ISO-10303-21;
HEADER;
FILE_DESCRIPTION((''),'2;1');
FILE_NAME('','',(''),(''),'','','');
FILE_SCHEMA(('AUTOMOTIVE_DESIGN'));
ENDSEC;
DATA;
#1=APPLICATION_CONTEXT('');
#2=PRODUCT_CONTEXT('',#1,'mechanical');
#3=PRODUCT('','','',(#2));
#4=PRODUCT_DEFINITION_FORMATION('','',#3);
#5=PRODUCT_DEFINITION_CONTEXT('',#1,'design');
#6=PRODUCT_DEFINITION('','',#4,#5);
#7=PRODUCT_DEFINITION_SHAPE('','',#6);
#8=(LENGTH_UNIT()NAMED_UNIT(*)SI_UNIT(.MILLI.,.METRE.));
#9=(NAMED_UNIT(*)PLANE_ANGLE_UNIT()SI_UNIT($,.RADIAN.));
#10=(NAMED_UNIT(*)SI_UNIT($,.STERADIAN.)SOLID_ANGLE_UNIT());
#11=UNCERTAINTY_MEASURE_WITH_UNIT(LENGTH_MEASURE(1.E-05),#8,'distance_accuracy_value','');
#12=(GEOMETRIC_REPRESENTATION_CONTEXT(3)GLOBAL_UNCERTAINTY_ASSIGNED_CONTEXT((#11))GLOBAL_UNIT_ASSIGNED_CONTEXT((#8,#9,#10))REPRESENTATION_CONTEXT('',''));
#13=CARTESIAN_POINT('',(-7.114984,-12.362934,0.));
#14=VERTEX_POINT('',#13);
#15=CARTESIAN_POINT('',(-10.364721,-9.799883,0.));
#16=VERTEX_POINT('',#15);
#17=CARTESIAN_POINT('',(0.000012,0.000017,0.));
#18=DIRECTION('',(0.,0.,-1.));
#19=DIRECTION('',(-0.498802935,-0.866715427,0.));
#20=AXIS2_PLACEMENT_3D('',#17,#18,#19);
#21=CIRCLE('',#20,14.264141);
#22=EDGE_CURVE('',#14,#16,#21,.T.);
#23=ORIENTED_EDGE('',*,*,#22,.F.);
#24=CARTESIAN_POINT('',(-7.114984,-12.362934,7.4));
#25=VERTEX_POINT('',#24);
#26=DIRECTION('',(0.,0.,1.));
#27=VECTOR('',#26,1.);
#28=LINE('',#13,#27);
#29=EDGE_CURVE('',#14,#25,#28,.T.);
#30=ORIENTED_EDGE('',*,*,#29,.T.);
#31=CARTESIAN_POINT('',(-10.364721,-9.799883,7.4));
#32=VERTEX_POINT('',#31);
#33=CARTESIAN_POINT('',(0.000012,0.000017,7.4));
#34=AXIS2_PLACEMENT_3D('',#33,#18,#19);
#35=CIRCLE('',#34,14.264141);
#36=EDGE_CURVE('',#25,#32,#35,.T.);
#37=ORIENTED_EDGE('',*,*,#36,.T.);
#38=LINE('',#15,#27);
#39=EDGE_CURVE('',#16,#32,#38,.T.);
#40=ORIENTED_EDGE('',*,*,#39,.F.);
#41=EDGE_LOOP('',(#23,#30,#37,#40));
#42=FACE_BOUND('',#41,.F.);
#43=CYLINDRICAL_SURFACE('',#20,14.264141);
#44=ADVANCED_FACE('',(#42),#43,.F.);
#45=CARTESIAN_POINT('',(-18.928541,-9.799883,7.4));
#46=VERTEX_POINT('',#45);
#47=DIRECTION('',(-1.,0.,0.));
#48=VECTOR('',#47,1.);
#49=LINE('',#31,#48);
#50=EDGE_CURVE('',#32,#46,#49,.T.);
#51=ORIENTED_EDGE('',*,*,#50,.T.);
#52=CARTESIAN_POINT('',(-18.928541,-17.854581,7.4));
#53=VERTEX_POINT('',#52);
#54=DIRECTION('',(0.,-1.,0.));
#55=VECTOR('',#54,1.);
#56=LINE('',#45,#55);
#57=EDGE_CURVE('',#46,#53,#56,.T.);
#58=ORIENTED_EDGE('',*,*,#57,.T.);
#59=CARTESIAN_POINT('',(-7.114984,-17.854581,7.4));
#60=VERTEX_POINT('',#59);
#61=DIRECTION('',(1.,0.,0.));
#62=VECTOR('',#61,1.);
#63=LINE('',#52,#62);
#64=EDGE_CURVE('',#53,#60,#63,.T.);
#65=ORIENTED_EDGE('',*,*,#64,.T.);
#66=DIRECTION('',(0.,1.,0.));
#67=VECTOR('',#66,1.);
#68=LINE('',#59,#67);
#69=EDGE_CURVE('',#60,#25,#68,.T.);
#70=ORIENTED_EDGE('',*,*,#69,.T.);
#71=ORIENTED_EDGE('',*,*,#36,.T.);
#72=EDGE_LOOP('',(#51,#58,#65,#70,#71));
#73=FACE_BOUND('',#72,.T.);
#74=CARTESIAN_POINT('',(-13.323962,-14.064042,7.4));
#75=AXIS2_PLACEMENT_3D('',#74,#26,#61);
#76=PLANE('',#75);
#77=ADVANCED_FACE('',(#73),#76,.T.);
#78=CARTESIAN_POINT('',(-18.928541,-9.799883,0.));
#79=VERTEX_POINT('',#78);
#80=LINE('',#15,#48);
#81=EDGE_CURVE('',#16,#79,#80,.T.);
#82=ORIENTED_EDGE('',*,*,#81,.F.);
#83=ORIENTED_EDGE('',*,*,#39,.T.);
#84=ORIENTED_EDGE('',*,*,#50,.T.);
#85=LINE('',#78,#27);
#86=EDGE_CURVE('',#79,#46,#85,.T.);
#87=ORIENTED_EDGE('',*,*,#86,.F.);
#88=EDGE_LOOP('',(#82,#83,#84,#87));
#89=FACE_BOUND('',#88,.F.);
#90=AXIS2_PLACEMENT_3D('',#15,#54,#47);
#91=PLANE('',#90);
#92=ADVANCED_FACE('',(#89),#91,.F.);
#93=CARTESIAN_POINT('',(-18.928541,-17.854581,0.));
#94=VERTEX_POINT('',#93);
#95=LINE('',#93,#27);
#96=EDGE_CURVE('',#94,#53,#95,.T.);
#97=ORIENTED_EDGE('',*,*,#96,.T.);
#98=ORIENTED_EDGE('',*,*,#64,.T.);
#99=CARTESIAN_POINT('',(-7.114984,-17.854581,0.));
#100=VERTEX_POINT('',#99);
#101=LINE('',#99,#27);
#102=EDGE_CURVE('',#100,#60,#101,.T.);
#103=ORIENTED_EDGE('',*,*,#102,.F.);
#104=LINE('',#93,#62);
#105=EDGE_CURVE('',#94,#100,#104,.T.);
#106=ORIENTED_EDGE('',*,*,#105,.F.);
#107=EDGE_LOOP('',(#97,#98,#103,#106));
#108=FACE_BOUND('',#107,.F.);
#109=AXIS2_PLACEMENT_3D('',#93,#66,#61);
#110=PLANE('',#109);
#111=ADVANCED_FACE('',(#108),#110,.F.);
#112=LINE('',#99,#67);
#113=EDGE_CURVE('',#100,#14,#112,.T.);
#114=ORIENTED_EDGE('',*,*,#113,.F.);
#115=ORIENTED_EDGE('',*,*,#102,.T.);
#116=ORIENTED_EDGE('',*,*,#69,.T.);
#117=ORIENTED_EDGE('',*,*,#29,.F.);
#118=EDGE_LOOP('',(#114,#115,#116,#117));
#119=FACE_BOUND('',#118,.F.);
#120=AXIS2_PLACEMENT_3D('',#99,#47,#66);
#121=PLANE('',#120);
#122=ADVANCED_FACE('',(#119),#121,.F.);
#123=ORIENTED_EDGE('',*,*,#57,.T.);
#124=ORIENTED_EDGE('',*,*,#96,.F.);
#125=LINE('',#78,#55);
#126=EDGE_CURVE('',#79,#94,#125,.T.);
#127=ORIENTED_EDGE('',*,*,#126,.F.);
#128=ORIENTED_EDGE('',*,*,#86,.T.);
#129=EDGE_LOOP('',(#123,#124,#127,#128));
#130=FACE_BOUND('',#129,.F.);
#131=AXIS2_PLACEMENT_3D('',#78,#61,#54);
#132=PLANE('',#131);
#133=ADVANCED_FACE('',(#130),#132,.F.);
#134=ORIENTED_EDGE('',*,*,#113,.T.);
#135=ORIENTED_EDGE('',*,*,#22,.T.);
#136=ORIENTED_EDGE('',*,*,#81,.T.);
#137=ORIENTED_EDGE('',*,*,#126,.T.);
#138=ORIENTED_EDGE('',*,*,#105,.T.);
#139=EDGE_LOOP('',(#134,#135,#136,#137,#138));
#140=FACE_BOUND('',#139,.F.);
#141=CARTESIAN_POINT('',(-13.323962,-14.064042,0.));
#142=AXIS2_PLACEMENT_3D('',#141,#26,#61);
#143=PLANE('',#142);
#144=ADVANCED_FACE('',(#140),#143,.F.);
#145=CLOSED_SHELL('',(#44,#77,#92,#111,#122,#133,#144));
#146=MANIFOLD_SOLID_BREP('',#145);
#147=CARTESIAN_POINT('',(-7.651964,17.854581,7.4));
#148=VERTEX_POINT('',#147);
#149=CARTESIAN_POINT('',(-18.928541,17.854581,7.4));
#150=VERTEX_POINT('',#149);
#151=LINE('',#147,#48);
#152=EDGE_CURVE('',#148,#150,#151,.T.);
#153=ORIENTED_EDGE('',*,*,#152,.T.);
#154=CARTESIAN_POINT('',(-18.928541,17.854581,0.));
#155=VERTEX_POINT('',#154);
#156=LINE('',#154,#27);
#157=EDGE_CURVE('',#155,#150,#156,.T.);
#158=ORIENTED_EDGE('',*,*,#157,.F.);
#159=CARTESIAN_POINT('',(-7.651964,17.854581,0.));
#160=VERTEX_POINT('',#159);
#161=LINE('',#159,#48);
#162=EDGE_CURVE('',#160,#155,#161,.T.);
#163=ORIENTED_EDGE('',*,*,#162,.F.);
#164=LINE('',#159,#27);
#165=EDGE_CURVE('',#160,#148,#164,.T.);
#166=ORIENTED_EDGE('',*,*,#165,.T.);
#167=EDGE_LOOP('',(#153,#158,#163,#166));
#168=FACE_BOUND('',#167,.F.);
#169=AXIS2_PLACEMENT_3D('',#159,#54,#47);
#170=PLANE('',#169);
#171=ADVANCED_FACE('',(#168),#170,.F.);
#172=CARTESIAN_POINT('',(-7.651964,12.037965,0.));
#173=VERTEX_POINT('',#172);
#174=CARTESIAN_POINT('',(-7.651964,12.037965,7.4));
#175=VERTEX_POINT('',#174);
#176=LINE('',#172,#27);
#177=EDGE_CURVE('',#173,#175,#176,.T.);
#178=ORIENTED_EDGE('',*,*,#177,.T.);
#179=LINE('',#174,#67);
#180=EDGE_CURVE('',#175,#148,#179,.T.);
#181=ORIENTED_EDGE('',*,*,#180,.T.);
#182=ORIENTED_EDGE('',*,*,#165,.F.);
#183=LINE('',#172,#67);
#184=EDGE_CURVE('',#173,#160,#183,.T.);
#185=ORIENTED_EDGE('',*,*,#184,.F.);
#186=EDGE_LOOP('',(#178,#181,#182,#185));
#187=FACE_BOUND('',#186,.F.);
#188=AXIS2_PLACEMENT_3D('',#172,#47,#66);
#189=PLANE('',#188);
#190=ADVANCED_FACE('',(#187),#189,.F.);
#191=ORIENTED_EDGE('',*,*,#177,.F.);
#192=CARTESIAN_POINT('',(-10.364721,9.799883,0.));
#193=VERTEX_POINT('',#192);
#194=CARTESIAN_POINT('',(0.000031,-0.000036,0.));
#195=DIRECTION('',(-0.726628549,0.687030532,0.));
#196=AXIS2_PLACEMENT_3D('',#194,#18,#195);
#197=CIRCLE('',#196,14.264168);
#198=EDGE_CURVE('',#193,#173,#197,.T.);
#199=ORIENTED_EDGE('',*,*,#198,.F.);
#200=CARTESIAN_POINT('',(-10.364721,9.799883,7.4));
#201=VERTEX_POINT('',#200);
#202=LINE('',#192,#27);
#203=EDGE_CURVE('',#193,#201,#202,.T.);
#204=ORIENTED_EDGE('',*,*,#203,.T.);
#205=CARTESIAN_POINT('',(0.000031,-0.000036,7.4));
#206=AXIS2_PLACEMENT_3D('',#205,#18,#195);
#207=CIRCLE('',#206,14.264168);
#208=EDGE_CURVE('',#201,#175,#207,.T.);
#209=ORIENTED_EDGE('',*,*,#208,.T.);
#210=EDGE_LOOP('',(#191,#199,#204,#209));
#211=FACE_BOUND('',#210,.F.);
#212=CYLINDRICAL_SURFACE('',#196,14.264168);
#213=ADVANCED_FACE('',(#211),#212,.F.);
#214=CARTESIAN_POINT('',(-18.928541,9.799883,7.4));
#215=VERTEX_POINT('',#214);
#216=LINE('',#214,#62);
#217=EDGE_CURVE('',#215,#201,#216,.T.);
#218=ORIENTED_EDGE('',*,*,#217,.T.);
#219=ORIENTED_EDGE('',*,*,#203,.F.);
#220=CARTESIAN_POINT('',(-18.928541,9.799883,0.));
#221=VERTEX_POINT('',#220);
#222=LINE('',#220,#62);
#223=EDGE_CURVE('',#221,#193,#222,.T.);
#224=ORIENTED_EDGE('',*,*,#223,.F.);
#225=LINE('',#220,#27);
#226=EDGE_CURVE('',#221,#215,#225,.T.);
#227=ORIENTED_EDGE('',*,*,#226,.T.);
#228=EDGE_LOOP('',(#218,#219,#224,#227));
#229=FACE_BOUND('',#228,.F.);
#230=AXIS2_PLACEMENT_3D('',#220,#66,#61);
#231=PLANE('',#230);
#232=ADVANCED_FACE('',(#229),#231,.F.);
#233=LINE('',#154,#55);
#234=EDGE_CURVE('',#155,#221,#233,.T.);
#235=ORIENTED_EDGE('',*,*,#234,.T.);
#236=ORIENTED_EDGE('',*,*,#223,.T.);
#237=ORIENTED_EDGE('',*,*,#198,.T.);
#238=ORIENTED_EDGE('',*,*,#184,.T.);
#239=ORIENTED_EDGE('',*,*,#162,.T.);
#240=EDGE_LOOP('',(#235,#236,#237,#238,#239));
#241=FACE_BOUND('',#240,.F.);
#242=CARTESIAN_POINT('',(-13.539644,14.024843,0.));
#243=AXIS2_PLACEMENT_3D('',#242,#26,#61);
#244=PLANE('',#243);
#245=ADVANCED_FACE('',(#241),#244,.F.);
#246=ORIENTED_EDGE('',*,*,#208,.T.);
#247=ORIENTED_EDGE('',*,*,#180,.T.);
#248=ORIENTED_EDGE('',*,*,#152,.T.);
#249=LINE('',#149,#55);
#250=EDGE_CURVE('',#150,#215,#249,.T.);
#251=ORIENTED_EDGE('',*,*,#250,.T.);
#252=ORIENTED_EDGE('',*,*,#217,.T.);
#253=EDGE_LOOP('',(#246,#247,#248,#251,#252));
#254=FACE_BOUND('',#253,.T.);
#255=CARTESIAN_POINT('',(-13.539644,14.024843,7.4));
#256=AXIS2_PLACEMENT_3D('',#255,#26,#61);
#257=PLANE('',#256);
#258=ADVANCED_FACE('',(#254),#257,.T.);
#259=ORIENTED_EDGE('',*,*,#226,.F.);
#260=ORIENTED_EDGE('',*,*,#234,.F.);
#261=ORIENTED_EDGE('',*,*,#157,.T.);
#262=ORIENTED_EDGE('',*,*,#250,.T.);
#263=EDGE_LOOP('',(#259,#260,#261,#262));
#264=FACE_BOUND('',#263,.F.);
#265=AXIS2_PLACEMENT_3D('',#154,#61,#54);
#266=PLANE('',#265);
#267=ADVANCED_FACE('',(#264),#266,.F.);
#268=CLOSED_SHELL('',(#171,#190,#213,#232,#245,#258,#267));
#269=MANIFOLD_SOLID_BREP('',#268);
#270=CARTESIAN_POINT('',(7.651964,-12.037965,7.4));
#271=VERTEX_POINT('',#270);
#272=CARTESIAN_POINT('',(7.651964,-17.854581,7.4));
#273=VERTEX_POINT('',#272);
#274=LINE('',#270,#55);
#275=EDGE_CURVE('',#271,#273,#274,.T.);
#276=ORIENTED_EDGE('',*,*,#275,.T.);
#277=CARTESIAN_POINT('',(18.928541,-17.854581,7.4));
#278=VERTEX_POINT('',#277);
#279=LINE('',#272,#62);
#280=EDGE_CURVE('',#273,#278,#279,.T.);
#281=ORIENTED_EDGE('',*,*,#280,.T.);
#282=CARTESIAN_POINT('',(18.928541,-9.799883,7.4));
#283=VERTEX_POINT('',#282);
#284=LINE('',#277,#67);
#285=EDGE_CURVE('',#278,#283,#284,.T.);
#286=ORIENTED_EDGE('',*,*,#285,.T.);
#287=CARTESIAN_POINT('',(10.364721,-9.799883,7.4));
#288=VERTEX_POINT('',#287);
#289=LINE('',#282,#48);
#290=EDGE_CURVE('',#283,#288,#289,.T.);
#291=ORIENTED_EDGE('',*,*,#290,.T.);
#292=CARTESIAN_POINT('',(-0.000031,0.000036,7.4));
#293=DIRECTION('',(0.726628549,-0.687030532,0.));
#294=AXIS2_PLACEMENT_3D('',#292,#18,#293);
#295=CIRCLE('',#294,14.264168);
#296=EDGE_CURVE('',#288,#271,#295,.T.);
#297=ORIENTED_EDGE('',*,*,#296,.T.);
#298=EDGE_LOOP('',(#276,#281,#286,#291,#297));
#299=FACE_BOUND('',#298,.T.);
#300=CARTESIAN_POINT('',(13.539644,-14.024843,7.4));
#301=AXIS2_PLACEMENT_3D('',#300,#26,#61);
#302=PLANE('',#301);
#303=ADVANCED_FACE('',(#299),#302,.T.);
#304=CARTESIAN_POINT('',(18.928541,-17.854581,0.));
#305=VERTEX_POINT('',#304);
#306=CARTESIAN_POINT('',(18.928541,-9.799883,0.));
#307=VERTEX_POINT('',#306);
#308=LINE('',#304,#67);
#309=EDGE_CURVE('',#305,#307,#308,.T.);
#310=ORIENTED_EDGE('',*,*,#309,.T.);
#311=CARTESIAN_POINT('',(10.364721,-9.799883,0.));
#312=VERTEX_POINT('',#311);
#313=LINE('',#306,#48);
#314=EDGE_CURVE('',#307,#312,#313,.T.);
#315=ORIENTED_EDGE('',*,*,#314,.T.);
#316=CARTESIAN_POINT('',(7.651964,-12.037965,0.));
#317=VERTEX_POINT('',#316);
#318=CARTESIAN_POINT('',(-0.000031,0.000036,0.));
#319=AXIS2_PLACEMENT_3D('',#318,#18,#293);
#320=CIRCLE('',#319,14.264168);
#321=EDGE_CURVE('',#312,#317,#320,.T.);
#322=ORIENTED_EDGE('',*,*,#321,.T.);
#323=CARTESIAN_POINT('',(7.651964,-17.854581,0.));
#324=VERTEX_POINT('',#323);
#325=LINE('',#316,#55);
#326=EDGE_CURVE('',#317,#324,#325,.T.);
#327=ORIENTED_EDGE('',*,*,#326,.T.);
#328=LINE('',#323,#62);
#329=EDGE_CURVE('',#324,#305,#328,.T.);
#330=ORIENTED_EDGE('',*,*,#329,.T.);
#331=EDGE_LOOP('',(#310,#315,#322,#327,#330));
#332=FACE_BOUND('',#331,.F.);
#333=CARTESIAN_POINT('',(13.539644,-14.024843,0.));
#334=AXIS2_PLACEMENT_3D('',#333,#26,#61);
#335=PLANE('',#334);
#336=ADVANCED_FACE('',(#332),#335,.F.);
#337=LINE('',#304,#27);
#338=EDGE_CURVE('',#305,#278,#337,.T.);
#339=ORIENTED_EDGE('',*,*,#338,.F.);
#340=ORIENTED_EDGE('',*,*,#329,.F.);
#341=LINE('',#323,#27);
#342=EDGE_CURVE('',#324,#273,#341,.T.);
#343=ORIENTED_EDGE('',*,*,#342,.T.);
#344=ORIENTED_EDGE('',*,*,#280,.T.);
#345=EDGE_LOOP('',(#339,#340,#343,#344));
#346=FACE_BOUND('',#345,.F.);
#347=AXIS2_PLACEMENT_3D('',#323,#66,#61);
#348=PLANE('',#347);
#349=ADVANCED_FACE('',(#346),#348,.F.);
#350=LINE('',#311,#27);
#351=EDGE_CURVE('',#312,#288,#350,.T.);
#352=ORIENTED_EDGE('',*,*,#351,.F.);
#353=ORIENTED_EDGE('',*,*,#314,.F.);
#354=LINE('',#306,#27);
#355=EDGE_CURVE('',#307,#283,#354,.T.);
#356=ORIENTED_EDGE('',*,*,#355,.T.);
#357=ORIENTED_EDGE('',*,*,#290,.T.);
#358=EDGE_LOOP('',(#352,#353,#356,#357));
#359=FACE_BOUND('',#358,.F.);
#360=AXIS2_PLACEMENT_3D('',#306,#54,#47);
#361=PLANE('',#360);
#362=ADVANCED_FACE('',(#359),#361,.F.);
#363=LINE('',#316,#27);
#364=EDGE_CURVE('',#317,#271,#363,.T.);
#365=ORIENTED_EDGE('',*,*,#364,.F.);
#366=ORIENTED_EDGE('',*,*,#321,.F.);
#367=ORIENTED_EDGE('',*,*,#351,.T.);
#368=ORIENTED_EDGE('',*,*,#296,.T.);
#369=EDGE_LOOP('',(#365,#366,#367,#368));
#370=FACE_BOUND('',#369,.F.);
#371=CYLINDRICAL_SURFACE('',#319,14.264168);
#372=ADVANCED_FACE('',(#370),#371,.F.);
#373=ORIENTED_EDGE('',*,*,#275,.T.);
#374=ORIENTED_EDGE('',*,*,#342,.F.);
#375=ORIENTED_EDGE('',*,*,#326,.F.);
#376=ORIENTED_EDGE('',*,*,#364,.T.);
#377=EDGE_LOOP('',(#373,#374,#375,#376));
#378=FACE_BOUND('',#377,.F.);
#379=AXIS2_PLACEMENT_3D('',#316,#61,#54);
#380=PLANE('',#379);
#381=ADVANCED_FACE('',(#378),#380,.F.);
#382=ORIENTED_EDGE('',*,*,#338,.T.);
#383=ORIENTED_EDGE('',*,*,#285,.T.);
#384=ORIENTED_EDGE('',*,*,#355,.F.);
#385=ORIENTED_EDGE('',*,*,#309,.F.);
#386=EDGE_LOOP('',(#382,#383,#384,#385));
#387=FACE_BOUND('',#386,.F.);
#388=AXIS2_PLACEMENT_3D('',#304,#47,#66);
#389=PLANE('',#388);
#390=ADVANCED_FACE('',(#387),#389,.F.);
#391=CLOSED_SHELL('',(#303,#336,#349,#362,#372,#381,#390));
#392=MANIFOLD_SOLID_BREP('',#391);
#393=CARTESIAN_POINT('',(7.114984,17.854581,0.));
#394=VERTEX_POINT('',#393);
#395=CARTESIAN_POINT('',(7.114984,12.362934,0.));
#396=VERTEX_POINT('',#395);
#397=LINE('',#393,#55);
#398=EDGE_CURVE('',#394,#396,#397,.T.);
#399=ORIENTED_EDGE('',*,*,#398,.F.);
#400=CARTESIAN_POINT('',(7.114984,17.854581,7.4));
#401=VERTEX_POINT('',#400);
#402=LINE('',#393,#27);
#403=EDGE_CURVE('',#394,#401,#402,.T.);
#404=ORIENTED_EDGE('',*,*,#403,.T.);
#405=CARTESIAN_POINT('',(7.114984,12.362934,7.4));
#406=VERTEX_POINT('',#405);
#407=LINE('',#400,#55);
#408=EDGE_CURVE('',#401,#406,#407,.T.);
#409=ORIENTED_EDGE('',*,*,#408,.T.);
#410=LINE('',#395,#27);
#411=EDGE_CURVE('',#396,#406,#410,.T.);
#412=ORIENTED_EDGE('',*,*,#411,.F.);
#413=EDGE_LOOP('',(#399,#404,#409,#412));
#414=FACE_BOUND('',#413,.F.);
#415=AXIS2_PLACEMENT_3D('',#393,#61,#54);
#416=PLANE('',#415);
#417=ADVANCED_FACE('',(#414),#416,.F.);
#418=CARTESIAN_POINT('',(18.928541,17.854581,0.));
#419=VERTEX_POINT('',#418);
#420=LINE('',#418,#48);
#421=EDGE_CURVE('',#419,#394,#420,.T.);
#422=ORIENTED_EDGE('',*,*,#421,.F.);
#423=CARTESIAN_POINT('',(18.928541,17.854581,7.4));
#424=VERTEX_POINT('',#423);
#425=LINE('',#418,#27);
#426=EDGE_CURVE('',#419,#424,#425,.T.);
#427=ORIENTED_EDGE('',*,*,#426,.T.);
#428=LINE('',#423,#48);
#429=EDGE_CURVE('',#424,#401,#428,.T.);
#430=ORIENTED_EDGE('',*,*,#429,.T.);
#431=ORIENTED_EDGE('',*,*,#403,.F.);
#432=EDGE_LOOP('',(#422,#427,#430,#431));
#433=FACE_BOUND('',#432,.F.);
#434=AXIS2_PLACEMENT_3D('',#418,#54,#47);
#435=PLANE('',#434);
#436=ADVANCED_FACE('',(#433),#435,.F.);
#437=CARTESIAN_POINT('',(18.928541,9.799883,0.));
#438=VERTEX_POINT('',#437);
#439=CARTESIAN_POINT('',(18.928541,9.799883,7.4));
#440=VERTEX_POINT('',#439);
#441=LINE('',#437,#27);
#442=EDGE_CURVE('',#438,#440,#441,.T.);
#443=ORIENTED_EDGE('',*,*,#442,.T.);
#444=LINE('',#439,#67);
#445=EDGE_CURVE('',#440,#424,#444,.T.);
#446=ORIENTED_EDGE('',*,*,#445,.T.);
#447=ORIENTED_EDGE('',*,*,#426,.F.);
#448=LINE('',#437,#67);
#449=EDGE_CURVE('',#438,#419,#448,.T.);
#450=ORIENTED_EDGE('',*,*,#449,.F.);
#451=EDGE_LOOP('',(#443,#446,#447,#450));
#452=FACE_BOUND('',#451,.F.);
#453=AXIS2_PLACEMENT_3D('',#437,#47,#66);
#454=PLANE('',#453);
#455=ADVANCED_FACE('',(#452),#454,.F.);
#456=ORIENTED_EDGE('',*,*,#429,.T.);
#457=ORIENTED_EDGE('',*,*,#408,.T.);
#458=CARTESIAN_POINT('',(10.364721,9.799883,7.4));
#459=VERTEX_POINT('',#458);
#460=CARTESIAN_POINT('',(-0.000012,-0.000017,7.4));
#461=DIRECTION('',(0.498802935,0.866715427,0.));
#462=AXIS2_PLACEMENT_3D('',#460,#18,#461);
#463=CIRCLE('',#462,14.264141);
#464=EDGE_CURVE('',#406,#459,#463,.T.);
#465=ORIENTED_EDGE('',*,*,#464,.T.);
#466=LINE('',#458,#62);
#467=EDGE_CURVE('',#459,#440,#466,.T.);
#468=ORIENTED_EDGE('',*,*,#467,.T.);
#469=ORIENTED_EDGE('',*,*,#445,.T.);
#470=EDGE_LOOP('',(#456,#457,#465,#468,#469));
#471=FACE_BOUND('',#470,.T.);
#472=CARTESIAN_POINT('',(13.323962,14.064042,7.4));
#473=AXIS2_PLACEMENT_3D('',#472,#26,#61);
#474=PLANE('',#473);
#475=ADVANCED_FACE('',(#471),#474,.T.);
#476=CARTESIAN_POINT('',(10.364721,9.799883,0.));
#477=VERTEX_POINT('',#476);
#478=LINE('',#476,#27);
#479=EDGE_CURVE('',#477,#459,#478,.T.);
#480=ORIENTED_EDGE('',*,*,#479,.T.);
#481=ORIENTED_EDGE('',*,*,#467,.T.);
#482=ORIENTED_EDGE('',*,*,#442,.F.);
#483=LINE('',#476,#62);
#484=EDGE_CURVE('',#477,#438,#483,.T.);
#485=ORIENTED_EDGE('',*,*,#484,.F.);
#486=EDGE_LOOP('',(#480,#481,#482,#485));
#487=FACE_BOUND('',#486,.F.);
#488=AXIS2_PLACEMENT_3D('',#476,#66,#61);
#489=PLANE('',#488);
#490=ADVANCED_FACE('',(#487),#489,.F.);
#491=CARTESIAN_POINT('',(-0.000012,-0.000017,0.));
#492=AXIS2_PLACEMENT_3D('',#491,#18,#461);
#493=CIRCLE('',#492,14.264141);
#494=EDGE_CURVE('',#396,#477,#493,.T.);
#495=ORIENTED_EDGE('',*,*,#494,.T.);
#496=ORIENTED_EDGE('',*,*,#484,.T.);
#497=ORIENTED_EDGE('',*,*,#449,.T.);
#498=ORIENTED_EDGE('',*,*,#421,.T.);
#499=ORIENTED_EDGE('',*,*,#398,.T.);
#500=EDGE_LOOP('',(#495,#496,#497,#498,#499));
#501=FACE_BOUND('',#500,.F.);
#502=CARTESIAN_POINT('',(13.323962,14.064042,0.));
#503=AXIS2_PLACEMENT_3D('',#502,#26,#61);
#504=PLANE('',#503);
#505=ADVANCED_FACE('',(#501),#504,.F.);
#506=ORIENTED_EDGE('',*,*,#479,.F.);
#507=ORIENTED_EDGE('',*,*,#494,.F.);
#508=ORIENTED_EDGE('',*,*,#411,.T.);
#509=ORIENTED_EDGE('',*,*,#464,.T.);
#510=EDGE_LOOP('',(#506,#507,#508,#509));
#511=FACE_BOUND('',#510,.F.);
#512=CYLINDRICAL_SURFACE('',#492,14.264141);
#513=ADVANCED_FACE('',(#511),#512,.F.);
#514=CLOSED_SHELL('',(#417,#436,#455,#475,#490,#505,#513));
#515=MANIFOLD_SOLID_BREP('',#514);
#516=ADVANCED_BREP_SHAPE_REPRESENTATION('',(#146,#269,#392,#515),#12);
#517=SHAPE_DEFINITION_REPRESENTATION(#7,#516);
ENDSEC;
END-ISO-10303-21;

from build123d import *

# Parameters (mm, degrees)
F1_DEPTH = 7.4


with BuildPart() as f1:
    # F0 (on Top) → F1 (new body)
    with BuildSketch(Plane.XY):
        with BuildLine():
            ThreePointArc((-10.364721, 9.799883), (-9.077581, 11.002848), (-7.651964, 12.037965))
            Line((-7.651964, 12.037965), (-7.651964, 17.854581))
            Line((-7.651964, 17.854581), (-18.928541, 17.854581))
            Line((-18.928541, 17.854581), (-18.928541, 9.799883))
            Line((-18.928541, 9.799883), (-10.364721, 9.799883))
        make_face()
        with BuildLine():
            ThreePointArc((7.114984, 12.362934), (8.833308, 11.199902), (10.364721, 9.799883))
            Line((10.364721, 9.799883), (18.928541, 9.799883))
            Line((18.928541, 9.799883), (18.928541, 17.854581))
            Line((18.928541, 17.854581), (7.114984, 17.854581))
            Line((7.114984, 17.854581), (7.114984, 12.362934))
        make_face()
        with BuildLine():
            Line((18.928541, -9.799883), (10.364721, -9.799883))
            ThreePointArc((10.364721, -9.799883), (9.077581, -11.002848), (7.651964, -12.037965))
            Line((7.651964, -12.037965), (7.651964, -17.854581))
            Line((7.651964, -17.854581), (18.928541, -17.854581))
            Line((18.928541, -17.854581), (18.928541, -9.799883))
        make_face()
        with BuildLine():
            Line((-7.114984, -17.854581), (-7.114984, -12.362934))
            ThreePointArc((-7.114984, -12.362934), (-8.833308, -11.199902), (-10.364721, -9.799883))
            Line((-10.364721, -9.799883), (-18.928541, -9.799883))
            Line((-18.928541, -9.799883), (-18.928541, -17.854581))
            Line((-18.928541, -17.854581), (-7.114984, -17.854581))
        make_face()
    extrude(amount=F1_DEPTH)


solid = f1.part
